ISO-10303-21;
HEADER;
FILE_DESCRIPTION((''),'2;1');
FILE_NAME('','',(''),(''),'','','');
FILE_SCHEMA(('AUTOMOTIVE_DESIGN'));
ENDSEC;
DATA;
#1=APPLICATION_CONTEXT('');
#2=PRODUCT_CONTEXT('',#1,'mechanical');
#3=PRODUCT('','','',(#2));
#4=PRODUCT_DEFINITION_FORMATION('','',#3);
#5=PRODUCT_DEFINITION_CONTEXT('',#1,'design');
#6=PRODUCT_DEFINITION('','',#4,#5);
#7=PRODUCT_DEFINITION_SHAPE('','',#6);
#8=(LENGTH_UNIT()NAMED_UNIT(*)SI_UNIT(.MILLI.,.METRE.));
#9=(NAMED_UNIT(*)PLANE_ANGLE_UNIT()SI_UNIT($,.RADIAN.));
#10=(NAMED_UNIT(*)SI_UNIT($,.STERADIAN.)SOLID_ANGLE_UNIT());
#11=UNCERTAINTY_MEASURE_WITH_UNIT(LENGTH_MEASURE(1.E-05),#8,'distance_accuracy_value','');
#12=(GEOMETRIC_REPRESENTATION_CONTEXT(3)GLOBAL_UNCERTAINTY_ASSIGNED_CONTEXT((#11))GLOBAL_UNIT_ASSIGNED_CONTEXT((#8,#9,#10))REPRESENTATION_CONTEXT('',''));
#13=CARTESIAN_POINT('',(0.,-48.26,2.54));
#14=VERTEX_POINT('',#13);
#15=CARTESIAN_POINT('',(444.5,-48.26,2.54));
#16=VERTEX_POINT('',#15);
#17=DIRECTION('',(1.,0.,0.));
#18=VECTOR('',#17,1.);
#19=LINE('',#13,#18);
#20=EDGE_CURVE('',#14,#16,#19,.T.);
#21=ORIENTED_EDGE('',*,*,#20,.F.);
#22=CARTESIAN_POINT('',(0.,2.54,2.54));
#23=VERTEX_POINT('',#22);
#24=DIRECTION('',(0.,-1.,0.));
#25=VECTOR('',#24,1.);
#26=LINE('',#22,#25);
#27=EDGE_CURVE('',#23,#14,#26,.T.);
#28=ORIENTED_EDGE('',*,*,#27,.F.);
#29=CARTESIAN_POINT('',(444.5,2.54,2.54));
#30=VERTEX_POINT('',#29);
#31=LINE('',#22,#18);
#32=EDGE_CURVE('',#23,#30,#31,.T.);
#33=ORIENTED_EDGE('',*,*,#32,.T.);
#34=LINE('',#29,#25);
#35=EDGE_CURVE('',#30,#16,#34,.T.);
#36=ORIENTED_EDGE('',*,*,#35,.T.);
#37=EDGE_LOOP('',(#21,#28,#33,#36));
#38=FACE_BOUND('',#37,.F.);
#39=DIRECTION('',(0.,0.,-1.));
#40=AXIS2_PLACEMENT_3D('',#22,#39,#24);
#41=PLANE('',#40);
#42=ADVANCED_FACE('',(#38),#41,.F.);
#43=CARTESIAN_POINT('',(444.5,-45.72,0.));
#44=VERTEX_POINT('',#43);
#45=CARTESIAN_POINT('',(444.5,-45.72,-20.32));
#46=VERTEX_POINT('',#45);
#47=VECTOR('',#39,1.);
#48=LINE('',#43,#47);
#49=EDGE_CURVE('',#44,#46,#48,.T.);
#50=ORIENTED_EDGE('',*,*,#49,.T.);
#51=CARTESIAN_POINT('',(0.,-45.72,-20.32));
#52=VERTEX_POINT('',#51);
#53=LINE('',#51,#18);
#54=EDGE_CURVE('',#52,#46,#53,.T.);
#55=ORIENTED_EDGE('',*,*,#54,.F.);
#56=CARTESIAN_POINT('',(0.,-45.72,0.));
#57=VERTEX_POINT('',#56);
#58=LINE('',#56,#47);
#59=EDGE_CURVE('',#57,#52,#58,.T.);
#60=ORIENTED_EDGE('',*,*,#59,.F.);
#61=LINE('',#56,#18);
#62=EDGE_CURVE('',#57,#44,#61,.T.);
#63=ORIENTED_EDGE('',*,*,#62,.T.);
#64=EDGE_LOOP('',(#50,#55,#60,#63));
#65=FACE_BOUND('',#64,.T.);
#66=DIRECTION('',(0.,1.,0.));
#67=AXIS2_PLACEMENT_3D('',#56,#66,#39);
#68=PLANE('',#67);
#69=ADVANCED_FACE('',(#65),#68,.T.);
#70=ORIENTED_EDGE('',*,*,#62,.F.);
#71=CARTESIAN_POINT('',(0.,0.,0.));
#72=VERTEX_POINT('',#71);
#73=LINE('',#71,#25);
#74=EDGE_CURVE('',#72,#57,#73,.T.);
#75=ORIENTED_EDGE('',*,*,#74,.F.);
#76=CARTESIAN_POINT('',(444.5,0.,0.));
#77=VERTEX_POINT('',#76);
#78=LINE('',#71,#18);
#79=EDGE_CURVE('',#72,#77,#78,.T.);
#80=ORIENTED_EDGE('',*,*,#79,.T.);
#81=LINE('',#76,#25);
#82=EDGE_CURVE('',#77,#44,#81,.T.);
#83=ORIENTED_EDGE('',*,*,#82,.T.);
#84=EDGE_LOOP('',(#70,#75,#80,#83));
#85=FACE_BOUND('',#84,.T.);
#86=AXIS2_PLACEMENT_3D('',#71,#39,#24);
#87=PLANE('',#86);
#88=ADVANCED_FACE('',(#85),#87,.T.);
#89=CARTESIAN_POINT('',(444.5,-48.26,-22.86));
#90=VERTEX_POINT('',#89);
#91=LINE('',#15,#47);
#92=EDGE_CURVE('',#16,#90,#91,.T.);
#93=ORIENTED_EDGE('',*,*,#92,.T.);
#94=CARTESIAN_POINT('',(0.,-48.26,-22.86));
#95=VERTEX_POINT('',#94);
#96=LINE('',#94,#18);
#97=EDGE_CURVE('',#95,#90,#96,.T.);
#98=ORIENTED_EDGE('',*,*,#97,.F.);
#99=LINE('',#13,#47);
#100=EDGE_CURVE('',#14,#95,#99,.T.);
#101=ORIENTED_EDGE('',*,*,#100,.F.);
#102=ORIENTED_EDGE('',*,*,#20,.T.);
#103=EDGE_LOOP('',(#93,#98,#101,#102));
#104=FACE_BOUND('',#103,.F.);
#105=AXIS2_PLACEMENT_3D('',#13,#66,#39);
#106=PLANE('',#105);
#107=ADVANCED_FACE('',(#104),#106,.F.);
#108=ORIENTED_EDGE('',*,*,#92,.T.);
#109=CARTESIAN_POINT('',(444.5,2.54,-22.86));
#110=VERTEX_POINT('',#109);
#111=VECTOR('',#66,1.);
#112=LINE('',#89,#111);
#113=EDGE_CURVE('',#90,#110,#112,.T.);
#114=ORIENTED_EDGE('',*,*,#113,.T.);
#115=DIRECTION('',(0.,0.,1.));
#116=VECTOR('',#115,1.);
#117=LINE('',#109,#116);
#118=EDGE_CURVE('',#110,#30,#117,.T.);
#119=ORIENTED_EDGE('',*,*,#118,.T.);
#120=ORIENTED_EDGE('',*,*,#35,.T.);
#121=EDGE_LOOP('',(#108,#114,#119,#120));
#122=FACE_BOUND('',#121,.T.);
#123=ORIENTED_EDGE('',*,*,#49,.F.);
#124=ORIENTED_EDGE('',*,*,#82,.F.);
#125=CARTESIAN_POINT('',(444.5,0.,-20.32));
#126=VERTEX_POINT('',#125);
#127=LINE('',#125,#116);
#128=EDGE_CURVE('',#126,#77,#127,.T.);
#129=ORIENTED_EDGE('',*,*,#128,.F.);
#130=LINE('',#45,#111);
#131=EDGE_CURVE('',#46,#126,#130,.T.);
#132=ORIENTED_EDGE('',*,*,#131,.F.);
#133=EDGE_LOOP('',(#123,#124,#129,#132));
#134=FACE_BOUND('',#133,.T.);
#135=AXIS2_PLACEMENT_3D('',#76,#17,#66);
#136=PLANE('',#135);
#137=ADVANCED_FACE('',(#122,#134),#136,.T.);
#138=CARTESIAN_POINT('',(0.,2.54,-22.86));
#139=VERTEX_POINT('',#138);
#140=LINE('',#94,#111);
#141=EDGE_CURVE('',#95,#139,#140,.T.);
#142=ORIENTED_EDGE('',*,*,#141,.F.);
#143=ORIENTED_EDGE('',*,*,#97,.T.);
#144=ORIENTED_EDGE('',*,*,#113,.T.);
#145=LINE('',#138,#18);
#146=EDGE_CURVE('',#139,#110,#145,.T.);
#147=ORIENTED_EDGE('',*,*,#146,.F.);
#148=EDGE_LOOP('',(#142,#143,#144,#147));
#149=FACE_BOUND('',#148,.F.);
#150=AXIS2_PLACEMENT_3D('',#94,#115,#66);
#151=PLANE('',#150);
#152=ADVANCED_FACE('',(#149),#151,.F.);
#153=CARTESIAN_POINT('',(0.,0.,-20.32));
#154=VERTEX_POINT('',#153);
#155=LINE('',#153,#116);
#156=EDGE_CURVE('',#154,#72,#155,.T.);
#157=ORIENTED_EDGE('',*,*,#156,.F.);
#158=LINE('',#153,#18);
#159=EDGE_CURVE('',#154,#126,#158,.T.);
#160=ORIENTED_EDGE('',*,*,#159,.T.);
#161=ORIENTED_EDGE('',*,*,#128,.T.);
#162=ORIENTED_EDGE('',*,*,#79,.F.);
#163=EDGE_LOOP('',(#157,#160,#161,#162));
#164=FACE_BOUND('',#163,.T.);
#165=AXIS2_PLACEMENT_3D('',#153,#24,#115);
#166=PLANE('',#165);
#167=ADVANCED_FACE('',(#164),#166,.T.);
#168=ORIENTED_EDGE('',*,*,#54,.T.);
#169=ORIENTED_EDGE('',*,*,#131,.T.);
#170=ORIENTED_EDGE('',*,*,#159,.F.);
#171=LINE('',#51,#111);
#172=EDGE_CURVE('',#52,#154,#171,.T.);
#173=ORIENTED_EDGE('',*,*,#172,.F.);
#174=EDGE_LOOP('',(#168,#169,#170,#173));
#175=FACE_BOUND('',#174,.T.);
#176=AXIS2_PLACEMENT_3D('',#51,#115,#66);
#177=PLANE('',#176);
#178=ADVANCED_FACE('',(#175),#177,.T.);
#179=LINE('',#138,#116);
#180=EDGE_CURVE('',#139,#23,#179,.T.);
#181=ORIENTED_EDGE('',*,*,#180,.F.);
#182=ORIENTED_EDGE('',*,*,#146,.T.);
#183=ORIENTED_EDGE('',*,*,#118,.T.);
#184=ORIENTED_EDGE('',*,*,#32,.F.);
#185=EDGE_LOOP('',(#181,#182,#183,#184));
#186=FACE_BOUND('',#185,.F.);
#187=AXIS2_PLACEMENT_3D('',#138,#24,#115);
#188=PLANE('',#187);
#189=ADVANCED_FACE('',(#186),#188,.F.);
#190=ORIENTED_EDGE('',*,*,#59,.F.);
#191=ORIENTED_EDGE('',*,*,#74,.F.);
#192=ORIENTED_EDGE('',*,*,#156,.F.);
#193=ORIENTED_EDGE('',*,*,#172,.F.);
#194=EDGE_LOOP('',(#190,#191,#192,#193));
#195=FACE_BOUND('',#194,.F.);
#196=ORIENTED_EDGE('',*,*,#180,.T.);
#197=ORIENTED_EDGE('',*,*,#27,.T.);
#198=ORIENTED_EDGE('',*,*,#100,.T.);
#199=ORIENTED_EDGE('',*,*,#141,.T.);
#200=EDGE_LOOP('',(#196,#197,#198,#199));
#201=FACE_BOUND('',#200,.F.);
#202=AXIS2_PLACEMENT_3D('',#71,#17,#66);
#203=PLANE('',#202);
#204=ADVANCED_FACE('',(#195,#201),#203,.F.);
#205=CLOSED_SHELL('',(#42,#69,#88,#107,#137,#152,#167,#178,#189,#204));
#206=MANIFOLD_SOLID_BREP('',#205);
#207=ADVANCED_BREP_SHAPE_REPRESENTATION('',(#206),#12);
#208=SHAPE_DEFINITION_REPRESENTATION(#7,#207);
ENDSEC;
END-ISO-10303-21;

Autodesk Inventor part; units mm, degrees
ref_plane "YZ Plane" through (0, 0, 0) normal (1, 0, 0) x (0, 1, 0)
ref_plane "XZ Plane" through (0, 0, 0) normal (0, 1, 0) x (-1, 0, 0)
sketch "Sketch1" plane through (0, 0, 0) normal (1, 0, 0) x (0, 1, 0)
  line L0 (2.54, 2.54) -> (-48.26, 2.54)
  line L1 (-48.26, 2.54) -> (-48.26, -22.86)
  line L2 (-48.26, -22.86) -> (2.54, -22.86)
  line L3 (2.54, -22.86) -> (2.54, 2.54)
  line L4 (0, 0) -> (-45.72, 0)
  line L5 (-45.72, 0) -> (-45.72, -20.32)
  line L6 (-45.72, -20.32) -> (0, -20.32)
  line L7 (0, -20.32) -> (0, 0)
  dimension "d0" = 50.8
  dimension "d1" = 25.4
  dimension "d5" = 2.54
  dimension "d6" = 2.54
  dimension "d7" = 2.54
  dimension "d8" = 2.54
extrude "Extrusion1" add sketch "Sketch1" along normal blind 444.5
ref_plane "Work Plane1" through (0, -48.26, 1.27) normal (0, 0, 1) x (1, 0, 0)
sketch "Sketch2" plane through (0, -48.26, 1.27) normal (0, 0, 1) x (1, 0, 0)
  line L0 (0, 50.8) -> (444.5, 50.8) projected
  line L1 (222.25, 50.8) -> (222.25, 0)
  line L2 (0, 0) -> (444.5, 0) projected
  line L3 (222.25, 25.4) -> (31.75, 25.4)
  line L4 (222.25, 25.4) -> (412.75, 25.4)
  line L5 (222.25, 25.4) -> (222.25, 22.225)
  point P0 (0, 48.26)
  dimension "d11" = 190.5
  dimension "d12" = 190.5
  dimension "d13" = 3.175
  dimension "d14" = 444.5
properties part number "Drive base side"
